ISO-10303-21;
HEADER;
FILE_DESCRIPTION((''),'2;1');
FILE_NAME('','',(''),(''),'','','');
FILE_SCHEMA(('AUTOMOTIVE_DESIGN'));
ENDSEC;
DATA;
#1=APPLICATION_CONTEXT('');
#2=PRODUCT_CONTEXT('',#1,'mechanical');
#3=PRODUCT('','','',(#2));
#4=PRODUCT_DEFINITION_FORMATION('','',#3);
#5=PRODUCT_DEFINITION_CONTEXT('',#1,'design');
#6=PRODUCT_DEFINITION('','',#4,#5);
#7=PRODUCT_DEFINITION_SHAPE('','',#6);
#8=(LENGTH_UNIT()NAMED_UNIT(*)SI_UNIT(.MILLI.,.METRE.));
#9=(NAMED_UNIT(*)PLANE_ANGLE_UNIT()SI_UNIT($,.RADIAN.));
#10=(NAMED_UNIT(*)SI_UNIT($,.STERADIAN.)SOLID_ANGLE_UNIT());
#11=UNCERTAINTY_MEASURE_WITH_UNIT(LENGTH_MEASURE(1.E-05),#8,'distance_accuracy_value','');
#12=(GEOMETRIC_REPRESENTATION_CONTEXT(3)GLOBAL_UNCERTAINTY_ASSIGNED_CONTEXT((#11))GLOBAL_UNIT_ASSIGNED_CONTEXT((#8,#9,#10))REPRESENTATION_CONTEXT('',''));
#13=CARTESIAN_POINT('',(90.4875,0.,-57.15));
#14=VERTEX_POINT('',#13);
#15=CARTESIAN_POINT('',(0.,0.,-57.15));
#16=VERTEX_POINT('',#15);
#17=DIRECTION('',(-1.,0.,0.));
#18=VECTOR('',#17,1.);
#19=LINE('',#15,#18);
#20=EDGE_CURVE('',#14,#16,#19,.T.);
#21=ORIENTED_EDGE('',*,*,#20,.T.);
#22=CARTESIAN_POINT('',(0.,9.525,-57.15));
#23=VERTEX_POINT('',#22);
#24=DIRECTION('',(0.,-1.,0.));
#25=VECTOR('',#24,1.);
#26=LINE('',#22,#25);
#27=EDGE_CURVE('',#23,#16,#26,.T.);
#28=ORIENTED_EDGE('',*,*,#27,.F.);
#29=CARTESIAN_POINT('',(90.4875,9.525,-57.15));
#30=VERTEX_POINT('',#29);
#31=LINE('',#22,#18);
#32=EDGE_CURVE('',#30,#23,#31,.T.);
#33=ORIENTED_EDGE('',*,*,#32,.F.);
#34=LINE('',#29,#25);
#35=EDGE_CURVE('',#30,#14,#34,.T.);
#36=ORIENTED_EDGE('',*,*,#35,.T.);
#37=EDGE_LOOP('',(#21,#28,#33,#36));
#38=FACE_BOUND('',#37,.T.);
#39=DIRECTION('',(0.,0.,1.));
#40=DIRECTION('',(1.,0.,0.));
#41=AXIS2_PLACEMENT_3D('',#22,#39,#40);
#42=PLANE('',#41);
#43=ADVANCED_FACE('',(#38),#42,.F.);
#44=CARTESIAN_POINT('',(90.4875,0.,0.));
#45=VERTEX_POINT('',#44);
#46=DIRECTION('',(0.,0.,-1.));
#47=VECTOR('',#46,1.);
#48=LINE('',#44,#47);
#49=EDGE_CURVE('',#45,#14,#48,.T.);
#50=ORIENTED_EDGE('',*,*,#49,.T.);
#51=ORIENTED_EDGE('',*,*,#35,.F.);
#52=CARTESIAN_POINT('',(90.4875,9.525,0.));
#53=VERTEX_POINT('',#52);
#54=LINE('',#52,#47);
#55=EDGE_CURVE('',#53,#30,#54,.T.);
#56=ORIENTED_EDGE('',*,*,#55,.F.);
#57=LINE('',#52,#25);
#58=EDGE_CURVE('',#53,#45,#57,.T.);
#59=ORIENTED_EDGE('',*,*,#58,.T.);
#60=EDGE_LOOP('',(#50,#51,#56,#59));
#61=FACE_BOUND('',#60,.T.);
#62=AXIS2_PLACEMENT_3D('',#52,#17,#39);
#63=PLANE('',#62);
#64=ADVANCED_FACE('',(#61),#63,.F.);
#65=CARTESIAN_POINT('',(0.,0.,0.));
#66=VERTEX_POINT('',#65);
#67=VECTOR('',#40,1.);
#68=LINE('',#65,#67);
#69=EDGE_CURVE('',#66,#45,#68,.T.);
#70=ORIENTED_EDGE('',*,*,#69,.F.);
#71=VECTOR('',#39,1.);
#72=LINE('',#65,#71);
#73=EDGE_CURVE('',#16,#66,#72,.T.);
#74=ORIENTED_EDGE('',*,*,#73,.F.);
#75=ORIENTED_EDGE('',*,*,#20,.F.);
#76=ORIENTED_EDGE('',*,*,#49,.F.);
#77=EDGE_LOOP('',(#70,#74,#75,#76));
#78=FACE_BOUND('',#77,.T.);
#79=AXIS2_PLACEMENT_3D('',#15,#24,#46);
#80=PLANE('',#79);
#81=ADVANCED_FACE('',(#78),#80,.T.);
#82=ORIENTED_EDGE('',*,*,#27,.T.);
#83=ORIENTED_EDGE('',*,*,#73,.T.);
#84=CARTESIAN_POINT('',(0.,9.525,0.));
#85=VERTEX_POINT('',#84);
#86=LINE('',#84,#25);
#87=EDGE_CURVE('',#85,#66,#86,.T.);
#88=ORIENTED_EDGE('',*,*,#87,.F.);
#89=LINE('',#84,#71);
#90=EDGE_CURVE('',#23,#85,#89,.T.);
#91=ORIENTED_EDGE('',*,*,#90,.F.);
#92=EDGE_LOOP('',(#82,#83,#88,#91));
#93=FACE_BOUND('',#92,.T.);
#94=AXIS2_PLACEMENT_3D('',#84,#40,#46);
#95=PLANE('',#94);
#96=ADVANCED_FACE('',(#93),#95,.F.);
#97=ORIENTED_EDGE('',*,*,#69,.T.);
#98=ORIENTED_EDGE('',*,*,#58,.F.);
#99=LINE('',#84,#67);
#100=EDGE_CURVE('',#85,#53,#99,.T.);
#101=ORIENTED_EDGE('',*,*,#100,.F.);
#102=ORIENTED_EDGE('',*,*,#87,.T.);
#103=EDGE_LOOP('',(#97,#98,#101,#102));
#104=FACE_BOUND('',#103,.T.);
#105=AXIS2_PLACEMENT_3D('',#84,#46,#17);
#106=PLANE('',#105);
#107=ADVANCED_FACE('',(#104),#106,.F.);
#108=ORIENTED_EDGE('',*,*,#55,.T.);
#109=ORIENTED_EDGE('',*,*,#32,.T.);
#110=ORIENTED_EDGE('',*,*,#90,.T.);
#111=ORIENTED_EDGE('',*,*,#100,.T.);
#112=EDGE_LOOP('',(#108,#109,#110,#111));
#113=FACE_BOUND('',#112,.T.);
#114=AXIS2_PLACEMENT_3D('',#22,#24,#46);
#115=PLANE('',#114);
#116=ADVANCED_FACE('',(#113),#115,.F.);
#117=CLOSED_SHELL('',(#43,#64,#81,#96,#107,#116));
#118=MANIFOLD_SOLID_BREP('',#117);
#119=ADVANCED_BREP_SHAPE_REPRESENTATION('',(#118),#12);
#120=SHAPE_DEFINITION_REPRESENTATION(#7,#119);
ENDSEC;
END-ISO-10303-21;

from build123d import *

# Parameters (mm, degrees)
SKETCH1_W           = 90.4875
SKETCH1_H           = 57.15
BOSS_EXTRUDE1_DEPTH = 9.525


with BuildPart() as part:
    # Sketch1 → Boss-Extrude1 (new body)
    with BuildSketch(Plane(origin=(0, 0, 0), x_dir=(1, 0, 0), z_dir=(0, 1, 0))):
        with Locations((45.24375, 28.575)):
            Rectangle(SKETCH1_W, SKETCH1_H)
    extrude(amount=BOSS_EXTRUDE1_DEPTH)


solid = part.part
